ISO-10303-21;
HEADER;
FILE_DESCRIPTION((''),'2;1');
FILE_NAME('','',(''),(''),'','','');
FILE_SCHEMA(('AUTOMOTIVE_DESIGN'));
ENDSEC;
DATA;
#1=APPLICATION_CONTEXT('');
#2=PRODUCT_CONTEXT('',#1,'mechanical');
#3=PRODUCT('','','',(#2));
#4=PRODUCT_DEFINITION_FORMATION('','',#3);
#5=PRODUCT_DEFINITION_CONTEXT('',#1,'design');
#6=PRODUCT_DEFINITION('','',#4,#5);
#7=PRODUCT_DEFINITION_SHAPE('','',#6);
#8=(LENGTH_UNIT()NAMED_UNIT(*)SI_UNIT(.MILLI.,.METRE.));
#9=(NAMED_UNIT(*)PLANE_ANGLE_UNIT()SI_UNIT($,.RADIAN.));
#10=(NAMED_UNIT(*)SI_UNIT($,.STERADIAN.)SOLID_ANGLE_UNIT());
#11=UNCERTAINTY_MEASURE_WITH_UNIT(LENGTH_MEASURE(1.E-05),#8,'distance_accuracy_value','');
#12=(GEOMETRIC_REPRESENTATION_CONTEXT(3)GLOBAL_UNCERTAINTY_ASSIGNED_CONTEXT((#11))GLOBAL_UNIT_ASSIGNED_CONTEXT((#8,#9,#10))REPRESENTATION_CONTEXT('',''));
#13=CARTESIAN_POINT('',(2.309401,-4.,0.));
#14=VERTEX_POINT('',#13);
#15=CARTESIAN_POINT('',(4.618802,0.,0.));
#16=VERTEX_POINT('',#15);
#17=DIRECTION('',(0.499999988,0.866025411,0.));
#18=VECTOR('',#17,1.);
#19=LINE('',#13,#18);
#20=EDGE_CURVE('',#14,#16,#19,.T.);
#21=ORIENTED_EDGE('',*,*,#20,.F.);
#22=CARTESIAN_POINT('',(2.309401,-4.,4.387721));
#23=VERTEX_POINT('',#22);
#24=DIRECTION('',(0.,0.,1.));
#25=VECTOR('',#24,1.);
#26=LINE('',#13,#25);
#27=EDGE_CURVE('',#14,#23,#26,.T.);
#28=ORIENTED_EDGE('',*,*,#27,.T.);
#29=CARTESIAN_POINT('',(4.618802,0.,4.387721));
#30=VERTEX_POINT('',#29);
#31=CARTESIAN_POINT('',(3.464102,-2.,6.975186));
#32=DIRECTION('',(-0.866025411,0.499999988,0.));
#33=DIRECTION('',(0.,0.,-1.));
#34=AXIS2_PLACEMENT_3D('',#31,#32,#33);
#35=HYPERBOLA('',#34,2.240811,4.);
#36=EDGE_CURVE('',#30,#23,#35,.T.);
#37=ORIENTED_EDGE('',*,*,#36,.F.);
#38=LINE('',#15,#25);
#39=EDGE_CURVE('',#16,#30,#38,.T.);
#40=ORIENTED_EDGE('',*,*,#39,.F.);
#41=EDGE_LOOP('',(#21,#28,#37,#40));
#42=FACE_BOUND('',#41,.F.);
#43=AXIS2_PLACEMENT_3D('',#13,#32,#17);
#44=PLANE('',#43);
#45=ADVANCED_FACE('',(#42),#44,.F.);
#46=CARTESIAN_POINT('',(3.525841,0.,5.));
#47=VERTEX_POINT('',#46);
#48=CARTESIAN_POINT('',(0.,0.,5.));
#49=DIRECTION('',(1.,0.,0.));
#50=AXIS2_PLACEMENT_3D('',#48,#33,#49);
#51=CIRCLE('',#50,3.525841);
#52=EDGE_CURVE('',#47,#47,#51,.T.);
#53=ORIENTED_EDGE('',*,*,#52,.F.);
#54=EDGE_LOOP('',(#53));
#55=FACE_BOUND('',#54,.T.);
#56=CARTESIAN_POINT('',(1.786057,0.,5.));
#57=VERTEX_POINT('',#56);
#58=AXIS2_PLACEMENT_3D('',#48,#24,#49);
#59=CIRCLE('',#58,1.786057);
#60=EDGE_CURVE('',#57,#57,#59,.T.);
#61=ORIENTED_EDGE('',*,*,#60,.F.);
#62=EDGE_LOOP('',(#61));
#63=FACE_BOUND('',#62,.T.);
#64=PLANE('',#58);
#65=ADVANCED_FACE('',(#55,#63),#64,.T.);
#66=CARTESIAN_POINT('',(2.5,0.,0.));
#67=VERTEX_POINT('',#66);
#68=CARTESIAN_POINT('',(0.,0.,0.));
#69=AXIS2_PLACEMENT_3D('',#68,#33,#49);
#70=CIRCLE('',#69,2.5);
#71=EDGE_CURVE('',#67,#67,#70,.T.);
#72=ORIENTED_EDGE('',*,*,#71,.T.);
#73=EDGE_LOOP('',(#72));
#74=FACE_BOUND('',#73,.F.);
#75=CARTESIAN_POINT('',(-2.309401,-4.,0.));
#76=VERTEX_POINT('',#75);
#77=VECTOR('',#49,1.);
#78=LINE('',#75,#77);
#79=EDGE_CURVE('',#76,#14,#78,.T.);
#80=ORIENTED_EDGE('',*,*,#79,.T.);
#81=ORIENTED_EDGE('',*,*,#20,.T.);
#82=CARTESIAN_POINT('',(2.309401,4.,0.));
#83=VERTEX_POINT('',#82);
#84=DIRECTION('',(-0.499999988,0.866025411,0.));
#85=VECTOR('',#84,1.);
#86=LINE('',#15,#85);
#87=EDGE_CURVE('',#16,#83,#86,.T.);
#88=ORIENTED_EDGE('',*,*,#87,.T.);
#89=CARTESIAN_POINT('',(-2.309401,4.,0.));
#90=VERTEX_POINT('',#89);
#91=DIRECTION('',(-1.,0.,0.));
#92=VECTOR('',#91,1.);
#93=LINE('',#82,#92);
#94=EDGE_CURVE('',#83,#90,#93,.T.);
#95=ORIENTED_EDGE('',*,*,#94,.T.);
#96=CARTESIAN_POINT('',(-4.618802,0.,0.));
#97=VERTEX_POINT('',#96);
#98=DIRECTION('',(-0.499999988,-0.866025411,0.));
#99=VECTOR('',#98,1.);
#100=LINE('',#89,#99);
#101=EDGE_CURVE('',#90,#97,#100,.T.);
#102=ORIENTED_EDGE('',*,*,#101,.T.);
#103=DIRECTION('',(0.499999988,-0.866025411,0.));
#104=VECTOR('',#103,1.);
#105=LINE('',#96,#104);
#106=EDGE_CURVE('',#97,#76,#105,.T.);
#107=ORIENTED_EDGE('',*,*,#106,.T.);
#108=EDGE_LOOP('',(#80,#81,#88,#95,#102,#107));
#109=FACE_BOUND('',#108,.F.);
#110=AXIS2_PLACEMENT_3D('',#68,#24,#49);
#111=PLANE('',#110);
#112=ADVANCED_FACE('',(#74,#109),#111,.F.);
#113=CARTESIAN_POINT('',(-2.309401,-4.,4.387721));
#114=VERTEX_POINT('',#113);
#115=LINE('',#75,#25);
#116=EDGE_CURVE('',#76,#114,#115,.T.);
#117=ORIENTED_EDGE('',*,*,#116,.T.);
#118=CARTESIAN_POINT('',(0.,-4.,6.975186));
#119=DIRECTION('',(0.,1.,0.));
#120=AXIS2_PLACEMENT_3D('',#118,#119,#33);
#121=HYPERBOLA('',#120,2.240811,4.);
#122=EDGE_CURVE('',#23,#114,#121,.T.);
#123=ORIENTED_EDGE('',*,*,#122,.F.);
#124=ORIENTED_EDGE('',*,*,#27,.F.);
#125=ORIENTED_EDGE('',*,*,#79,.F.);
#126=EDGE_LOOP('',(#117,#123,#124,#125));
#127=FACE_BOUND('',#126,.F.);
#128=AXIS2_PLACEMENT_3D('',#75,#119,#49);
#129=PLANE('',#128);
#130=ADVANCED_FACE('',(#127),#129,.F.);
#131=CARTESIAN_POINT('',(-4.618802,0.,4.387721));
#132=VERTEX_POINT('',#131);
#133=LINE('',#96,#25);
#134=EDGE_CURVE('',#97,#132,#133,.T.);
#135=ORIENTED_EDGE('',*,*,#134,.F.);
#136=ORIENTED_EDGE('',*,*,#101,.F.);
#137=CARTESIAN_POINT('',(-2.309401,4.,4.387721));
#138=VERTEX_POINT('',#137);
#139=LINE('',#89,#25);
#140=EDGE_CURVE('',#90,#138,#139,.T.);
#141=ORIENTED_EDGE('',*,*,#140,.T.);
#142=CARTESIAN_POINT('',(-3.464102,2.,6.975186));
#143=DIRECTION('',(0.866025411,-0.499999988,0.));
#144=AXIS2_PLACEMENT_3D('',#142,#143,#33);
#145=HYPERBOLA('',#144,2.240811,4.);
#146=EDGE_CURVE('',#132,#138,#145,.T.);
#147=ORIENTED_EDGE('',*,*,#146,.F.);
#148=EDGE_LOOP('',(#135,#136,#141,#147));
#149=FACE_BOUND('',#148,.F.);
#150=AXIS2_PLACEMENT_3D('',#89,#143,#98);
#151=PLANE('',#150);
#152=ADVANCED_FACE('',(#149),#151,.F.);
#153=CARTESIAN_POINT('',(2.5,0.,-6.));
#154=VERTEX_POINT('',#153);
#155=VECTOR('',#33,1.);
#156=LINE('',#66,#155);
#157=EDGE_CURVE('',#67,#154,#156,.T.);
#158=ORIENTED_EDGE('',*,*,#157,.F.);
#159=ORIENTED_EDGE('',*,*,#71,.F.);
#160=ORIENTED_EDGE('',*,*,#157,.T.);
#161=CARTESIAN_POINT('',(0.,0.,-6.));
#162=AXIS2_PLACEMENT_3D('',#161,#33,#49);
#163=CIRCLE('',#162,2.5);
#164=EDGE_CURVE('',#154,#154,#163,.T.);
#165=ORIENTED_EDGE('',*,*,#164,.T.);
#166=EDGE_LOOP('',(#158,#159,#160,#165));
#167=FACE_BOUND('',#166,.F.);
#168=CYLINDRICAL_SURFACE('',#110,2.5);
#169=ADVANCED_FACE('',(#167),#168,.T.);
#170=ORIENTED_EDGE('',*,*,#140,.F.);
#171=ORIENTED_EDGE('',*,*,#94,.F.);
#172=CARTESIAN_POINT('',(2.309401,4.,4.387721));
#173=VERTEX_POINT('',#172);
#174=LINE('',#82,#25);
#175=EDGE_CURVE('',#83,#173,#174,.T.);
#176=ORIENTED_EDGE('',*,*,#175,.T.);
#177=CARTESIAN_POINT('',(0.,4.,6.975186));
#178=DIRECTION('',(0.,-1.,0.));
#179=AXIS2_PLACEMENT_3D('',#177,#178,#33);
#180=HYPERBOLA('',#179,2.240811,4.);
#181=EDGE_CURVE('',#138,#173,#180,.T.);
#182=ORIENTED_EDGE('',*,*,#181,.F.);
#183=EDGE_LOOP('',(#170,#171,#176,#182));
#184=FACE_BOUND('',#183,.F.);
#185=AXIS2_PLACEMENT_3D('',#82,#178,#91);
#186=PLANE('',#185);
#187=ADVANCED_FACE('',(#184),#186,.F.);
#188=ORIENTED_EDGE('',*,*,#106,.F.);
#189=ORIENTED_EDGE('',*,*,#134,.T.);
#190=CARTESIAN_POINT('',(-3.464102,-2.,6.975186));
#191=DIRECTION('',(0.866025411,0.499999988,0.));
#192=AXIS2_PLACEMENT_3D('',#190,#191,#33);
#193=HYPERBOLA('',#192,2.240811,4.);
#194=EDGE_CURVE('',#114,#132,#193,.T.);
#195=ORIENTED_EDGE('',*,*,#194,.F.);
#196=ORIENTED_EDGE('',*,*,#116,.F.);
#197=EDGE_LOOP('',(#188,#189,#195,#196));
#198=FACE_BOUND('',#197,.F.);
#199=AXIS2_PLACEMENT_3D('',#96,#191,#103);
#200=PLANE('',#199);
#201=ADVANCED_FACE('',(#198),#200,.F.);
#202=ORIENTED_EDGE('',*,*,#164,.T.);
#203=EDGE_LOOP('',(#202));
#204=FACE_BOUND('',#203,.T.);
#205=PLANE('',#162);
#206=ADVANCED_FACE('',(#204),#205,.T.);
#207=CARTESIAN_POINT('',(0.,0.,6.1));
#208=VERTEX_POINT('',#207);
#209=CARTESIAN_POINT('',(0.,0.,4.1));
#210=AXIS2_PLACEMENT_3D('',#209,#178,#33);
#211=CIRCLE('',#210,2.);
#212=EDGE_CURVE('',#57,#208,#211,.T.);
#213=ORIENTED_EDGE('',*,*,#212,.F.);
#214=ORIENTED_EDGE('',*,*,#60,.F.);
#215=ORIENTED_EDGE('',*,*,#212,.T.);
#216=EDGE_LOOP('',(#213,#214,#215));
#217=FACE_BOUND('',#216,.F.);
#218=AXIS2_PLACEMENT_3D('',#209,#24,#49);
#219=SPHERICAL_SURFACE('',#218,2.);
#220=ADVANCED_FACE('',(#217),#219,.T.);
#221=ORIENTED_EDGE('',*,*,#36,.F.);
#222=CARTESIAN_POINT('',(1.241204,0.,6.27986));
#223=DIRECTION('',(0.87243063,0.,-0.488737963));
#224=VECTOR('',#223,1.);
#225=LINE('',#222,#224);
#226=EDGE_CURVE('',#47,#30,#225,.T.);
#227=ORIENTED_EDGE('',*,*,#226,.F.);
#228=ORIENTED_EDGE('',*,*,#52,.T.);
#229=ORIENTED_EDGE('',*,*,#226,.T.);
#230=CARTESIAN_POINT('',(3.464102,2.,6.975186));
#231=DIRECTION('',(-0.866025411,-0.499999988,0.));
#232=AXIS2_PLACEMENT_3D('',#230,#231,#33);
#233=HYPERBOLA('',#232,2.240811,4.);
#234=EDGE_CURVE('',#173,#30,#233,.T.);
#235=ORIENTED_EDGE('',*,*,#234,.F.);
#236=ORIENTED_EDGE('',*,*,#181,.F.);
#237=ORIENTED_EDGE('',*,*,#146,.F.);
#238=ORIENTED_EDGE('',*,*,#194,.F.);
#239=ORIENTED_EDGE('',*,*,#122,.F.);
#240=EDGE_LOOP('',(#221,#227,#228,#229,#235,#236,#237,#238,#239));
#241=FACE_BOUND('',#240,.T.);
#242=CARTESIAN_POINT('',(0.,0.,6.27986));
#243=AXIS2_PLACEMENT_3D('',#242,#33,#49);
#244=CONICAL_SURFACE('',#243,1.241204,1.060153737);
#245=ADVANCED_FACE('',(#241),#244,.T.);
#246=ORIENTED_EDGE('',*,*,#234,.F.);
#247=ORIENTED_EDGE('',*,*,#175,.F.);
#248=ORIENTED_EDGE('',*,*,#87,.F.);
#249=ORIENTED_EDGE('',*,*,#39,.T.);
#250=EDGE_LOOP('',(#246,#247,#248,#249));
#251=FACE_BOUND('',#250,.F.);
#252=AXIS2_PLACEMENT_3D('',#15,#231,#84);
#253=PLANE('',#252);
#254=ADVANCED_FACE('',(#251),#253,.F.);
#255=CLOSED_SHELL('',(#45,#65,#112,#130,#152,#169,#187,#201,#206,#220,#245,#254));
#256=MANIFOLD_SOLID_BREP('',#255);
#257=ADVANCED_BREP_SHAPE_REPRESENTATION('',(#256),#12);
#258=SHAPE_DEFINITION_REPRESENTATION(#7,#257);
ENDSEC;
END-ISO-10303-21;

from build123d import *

# Parameters (mm, degrees)
F1_DEPTH = 5
F2_R     = 2.5
F3_DEPTH = 6


with BuildPart() as f1:
    # F0 (on Top) → F1 (new body)
    with BuildSketch(Plane.XY):
        Polygon((2.309401, 4), (-2.309401, 4), (-4.618802, 0), (-2.309401, -4), (2.309401, -4), (4.618802, 0), align=None)
    extrude(amount=F1_DEPTH)

    # F2 (on face) → F3 (join)
    with BuildSketch(Plane(origin=(0, 0, 0), x_dir=(1, 0, 0), z_dir=(0, 0, -1))):
        Circle(F2_R)
    extrude(amount=F3_DEPTH)

    # F4 (on Front) → F5 (revolve, cut)
    with BuildSketch(Plane.XZ):
        Polygon((1.241204, 6.975186), (1.241204, 6.27986), (5.267579, 4.024274), (5.267579, 6.975186), align=None)
    revolve(axis=Axis((0, 0, 6.94047), (0, 0, -1)), mode=Mode.SUBTRACT)

    # F6 (on Front) → F7 (revolve)
    with BuildSketch(Plane.XZ):
        with BuildLine():
            Line((0, 6.1), (0, 2.1))
            ThreePointArc((0, 2.1), (2, 4.1), (0, 6.1))
        make_face()
    revolve(axis=Axis((0, 0, 4.1), (0, 0, -1)))


solid = f1.part
